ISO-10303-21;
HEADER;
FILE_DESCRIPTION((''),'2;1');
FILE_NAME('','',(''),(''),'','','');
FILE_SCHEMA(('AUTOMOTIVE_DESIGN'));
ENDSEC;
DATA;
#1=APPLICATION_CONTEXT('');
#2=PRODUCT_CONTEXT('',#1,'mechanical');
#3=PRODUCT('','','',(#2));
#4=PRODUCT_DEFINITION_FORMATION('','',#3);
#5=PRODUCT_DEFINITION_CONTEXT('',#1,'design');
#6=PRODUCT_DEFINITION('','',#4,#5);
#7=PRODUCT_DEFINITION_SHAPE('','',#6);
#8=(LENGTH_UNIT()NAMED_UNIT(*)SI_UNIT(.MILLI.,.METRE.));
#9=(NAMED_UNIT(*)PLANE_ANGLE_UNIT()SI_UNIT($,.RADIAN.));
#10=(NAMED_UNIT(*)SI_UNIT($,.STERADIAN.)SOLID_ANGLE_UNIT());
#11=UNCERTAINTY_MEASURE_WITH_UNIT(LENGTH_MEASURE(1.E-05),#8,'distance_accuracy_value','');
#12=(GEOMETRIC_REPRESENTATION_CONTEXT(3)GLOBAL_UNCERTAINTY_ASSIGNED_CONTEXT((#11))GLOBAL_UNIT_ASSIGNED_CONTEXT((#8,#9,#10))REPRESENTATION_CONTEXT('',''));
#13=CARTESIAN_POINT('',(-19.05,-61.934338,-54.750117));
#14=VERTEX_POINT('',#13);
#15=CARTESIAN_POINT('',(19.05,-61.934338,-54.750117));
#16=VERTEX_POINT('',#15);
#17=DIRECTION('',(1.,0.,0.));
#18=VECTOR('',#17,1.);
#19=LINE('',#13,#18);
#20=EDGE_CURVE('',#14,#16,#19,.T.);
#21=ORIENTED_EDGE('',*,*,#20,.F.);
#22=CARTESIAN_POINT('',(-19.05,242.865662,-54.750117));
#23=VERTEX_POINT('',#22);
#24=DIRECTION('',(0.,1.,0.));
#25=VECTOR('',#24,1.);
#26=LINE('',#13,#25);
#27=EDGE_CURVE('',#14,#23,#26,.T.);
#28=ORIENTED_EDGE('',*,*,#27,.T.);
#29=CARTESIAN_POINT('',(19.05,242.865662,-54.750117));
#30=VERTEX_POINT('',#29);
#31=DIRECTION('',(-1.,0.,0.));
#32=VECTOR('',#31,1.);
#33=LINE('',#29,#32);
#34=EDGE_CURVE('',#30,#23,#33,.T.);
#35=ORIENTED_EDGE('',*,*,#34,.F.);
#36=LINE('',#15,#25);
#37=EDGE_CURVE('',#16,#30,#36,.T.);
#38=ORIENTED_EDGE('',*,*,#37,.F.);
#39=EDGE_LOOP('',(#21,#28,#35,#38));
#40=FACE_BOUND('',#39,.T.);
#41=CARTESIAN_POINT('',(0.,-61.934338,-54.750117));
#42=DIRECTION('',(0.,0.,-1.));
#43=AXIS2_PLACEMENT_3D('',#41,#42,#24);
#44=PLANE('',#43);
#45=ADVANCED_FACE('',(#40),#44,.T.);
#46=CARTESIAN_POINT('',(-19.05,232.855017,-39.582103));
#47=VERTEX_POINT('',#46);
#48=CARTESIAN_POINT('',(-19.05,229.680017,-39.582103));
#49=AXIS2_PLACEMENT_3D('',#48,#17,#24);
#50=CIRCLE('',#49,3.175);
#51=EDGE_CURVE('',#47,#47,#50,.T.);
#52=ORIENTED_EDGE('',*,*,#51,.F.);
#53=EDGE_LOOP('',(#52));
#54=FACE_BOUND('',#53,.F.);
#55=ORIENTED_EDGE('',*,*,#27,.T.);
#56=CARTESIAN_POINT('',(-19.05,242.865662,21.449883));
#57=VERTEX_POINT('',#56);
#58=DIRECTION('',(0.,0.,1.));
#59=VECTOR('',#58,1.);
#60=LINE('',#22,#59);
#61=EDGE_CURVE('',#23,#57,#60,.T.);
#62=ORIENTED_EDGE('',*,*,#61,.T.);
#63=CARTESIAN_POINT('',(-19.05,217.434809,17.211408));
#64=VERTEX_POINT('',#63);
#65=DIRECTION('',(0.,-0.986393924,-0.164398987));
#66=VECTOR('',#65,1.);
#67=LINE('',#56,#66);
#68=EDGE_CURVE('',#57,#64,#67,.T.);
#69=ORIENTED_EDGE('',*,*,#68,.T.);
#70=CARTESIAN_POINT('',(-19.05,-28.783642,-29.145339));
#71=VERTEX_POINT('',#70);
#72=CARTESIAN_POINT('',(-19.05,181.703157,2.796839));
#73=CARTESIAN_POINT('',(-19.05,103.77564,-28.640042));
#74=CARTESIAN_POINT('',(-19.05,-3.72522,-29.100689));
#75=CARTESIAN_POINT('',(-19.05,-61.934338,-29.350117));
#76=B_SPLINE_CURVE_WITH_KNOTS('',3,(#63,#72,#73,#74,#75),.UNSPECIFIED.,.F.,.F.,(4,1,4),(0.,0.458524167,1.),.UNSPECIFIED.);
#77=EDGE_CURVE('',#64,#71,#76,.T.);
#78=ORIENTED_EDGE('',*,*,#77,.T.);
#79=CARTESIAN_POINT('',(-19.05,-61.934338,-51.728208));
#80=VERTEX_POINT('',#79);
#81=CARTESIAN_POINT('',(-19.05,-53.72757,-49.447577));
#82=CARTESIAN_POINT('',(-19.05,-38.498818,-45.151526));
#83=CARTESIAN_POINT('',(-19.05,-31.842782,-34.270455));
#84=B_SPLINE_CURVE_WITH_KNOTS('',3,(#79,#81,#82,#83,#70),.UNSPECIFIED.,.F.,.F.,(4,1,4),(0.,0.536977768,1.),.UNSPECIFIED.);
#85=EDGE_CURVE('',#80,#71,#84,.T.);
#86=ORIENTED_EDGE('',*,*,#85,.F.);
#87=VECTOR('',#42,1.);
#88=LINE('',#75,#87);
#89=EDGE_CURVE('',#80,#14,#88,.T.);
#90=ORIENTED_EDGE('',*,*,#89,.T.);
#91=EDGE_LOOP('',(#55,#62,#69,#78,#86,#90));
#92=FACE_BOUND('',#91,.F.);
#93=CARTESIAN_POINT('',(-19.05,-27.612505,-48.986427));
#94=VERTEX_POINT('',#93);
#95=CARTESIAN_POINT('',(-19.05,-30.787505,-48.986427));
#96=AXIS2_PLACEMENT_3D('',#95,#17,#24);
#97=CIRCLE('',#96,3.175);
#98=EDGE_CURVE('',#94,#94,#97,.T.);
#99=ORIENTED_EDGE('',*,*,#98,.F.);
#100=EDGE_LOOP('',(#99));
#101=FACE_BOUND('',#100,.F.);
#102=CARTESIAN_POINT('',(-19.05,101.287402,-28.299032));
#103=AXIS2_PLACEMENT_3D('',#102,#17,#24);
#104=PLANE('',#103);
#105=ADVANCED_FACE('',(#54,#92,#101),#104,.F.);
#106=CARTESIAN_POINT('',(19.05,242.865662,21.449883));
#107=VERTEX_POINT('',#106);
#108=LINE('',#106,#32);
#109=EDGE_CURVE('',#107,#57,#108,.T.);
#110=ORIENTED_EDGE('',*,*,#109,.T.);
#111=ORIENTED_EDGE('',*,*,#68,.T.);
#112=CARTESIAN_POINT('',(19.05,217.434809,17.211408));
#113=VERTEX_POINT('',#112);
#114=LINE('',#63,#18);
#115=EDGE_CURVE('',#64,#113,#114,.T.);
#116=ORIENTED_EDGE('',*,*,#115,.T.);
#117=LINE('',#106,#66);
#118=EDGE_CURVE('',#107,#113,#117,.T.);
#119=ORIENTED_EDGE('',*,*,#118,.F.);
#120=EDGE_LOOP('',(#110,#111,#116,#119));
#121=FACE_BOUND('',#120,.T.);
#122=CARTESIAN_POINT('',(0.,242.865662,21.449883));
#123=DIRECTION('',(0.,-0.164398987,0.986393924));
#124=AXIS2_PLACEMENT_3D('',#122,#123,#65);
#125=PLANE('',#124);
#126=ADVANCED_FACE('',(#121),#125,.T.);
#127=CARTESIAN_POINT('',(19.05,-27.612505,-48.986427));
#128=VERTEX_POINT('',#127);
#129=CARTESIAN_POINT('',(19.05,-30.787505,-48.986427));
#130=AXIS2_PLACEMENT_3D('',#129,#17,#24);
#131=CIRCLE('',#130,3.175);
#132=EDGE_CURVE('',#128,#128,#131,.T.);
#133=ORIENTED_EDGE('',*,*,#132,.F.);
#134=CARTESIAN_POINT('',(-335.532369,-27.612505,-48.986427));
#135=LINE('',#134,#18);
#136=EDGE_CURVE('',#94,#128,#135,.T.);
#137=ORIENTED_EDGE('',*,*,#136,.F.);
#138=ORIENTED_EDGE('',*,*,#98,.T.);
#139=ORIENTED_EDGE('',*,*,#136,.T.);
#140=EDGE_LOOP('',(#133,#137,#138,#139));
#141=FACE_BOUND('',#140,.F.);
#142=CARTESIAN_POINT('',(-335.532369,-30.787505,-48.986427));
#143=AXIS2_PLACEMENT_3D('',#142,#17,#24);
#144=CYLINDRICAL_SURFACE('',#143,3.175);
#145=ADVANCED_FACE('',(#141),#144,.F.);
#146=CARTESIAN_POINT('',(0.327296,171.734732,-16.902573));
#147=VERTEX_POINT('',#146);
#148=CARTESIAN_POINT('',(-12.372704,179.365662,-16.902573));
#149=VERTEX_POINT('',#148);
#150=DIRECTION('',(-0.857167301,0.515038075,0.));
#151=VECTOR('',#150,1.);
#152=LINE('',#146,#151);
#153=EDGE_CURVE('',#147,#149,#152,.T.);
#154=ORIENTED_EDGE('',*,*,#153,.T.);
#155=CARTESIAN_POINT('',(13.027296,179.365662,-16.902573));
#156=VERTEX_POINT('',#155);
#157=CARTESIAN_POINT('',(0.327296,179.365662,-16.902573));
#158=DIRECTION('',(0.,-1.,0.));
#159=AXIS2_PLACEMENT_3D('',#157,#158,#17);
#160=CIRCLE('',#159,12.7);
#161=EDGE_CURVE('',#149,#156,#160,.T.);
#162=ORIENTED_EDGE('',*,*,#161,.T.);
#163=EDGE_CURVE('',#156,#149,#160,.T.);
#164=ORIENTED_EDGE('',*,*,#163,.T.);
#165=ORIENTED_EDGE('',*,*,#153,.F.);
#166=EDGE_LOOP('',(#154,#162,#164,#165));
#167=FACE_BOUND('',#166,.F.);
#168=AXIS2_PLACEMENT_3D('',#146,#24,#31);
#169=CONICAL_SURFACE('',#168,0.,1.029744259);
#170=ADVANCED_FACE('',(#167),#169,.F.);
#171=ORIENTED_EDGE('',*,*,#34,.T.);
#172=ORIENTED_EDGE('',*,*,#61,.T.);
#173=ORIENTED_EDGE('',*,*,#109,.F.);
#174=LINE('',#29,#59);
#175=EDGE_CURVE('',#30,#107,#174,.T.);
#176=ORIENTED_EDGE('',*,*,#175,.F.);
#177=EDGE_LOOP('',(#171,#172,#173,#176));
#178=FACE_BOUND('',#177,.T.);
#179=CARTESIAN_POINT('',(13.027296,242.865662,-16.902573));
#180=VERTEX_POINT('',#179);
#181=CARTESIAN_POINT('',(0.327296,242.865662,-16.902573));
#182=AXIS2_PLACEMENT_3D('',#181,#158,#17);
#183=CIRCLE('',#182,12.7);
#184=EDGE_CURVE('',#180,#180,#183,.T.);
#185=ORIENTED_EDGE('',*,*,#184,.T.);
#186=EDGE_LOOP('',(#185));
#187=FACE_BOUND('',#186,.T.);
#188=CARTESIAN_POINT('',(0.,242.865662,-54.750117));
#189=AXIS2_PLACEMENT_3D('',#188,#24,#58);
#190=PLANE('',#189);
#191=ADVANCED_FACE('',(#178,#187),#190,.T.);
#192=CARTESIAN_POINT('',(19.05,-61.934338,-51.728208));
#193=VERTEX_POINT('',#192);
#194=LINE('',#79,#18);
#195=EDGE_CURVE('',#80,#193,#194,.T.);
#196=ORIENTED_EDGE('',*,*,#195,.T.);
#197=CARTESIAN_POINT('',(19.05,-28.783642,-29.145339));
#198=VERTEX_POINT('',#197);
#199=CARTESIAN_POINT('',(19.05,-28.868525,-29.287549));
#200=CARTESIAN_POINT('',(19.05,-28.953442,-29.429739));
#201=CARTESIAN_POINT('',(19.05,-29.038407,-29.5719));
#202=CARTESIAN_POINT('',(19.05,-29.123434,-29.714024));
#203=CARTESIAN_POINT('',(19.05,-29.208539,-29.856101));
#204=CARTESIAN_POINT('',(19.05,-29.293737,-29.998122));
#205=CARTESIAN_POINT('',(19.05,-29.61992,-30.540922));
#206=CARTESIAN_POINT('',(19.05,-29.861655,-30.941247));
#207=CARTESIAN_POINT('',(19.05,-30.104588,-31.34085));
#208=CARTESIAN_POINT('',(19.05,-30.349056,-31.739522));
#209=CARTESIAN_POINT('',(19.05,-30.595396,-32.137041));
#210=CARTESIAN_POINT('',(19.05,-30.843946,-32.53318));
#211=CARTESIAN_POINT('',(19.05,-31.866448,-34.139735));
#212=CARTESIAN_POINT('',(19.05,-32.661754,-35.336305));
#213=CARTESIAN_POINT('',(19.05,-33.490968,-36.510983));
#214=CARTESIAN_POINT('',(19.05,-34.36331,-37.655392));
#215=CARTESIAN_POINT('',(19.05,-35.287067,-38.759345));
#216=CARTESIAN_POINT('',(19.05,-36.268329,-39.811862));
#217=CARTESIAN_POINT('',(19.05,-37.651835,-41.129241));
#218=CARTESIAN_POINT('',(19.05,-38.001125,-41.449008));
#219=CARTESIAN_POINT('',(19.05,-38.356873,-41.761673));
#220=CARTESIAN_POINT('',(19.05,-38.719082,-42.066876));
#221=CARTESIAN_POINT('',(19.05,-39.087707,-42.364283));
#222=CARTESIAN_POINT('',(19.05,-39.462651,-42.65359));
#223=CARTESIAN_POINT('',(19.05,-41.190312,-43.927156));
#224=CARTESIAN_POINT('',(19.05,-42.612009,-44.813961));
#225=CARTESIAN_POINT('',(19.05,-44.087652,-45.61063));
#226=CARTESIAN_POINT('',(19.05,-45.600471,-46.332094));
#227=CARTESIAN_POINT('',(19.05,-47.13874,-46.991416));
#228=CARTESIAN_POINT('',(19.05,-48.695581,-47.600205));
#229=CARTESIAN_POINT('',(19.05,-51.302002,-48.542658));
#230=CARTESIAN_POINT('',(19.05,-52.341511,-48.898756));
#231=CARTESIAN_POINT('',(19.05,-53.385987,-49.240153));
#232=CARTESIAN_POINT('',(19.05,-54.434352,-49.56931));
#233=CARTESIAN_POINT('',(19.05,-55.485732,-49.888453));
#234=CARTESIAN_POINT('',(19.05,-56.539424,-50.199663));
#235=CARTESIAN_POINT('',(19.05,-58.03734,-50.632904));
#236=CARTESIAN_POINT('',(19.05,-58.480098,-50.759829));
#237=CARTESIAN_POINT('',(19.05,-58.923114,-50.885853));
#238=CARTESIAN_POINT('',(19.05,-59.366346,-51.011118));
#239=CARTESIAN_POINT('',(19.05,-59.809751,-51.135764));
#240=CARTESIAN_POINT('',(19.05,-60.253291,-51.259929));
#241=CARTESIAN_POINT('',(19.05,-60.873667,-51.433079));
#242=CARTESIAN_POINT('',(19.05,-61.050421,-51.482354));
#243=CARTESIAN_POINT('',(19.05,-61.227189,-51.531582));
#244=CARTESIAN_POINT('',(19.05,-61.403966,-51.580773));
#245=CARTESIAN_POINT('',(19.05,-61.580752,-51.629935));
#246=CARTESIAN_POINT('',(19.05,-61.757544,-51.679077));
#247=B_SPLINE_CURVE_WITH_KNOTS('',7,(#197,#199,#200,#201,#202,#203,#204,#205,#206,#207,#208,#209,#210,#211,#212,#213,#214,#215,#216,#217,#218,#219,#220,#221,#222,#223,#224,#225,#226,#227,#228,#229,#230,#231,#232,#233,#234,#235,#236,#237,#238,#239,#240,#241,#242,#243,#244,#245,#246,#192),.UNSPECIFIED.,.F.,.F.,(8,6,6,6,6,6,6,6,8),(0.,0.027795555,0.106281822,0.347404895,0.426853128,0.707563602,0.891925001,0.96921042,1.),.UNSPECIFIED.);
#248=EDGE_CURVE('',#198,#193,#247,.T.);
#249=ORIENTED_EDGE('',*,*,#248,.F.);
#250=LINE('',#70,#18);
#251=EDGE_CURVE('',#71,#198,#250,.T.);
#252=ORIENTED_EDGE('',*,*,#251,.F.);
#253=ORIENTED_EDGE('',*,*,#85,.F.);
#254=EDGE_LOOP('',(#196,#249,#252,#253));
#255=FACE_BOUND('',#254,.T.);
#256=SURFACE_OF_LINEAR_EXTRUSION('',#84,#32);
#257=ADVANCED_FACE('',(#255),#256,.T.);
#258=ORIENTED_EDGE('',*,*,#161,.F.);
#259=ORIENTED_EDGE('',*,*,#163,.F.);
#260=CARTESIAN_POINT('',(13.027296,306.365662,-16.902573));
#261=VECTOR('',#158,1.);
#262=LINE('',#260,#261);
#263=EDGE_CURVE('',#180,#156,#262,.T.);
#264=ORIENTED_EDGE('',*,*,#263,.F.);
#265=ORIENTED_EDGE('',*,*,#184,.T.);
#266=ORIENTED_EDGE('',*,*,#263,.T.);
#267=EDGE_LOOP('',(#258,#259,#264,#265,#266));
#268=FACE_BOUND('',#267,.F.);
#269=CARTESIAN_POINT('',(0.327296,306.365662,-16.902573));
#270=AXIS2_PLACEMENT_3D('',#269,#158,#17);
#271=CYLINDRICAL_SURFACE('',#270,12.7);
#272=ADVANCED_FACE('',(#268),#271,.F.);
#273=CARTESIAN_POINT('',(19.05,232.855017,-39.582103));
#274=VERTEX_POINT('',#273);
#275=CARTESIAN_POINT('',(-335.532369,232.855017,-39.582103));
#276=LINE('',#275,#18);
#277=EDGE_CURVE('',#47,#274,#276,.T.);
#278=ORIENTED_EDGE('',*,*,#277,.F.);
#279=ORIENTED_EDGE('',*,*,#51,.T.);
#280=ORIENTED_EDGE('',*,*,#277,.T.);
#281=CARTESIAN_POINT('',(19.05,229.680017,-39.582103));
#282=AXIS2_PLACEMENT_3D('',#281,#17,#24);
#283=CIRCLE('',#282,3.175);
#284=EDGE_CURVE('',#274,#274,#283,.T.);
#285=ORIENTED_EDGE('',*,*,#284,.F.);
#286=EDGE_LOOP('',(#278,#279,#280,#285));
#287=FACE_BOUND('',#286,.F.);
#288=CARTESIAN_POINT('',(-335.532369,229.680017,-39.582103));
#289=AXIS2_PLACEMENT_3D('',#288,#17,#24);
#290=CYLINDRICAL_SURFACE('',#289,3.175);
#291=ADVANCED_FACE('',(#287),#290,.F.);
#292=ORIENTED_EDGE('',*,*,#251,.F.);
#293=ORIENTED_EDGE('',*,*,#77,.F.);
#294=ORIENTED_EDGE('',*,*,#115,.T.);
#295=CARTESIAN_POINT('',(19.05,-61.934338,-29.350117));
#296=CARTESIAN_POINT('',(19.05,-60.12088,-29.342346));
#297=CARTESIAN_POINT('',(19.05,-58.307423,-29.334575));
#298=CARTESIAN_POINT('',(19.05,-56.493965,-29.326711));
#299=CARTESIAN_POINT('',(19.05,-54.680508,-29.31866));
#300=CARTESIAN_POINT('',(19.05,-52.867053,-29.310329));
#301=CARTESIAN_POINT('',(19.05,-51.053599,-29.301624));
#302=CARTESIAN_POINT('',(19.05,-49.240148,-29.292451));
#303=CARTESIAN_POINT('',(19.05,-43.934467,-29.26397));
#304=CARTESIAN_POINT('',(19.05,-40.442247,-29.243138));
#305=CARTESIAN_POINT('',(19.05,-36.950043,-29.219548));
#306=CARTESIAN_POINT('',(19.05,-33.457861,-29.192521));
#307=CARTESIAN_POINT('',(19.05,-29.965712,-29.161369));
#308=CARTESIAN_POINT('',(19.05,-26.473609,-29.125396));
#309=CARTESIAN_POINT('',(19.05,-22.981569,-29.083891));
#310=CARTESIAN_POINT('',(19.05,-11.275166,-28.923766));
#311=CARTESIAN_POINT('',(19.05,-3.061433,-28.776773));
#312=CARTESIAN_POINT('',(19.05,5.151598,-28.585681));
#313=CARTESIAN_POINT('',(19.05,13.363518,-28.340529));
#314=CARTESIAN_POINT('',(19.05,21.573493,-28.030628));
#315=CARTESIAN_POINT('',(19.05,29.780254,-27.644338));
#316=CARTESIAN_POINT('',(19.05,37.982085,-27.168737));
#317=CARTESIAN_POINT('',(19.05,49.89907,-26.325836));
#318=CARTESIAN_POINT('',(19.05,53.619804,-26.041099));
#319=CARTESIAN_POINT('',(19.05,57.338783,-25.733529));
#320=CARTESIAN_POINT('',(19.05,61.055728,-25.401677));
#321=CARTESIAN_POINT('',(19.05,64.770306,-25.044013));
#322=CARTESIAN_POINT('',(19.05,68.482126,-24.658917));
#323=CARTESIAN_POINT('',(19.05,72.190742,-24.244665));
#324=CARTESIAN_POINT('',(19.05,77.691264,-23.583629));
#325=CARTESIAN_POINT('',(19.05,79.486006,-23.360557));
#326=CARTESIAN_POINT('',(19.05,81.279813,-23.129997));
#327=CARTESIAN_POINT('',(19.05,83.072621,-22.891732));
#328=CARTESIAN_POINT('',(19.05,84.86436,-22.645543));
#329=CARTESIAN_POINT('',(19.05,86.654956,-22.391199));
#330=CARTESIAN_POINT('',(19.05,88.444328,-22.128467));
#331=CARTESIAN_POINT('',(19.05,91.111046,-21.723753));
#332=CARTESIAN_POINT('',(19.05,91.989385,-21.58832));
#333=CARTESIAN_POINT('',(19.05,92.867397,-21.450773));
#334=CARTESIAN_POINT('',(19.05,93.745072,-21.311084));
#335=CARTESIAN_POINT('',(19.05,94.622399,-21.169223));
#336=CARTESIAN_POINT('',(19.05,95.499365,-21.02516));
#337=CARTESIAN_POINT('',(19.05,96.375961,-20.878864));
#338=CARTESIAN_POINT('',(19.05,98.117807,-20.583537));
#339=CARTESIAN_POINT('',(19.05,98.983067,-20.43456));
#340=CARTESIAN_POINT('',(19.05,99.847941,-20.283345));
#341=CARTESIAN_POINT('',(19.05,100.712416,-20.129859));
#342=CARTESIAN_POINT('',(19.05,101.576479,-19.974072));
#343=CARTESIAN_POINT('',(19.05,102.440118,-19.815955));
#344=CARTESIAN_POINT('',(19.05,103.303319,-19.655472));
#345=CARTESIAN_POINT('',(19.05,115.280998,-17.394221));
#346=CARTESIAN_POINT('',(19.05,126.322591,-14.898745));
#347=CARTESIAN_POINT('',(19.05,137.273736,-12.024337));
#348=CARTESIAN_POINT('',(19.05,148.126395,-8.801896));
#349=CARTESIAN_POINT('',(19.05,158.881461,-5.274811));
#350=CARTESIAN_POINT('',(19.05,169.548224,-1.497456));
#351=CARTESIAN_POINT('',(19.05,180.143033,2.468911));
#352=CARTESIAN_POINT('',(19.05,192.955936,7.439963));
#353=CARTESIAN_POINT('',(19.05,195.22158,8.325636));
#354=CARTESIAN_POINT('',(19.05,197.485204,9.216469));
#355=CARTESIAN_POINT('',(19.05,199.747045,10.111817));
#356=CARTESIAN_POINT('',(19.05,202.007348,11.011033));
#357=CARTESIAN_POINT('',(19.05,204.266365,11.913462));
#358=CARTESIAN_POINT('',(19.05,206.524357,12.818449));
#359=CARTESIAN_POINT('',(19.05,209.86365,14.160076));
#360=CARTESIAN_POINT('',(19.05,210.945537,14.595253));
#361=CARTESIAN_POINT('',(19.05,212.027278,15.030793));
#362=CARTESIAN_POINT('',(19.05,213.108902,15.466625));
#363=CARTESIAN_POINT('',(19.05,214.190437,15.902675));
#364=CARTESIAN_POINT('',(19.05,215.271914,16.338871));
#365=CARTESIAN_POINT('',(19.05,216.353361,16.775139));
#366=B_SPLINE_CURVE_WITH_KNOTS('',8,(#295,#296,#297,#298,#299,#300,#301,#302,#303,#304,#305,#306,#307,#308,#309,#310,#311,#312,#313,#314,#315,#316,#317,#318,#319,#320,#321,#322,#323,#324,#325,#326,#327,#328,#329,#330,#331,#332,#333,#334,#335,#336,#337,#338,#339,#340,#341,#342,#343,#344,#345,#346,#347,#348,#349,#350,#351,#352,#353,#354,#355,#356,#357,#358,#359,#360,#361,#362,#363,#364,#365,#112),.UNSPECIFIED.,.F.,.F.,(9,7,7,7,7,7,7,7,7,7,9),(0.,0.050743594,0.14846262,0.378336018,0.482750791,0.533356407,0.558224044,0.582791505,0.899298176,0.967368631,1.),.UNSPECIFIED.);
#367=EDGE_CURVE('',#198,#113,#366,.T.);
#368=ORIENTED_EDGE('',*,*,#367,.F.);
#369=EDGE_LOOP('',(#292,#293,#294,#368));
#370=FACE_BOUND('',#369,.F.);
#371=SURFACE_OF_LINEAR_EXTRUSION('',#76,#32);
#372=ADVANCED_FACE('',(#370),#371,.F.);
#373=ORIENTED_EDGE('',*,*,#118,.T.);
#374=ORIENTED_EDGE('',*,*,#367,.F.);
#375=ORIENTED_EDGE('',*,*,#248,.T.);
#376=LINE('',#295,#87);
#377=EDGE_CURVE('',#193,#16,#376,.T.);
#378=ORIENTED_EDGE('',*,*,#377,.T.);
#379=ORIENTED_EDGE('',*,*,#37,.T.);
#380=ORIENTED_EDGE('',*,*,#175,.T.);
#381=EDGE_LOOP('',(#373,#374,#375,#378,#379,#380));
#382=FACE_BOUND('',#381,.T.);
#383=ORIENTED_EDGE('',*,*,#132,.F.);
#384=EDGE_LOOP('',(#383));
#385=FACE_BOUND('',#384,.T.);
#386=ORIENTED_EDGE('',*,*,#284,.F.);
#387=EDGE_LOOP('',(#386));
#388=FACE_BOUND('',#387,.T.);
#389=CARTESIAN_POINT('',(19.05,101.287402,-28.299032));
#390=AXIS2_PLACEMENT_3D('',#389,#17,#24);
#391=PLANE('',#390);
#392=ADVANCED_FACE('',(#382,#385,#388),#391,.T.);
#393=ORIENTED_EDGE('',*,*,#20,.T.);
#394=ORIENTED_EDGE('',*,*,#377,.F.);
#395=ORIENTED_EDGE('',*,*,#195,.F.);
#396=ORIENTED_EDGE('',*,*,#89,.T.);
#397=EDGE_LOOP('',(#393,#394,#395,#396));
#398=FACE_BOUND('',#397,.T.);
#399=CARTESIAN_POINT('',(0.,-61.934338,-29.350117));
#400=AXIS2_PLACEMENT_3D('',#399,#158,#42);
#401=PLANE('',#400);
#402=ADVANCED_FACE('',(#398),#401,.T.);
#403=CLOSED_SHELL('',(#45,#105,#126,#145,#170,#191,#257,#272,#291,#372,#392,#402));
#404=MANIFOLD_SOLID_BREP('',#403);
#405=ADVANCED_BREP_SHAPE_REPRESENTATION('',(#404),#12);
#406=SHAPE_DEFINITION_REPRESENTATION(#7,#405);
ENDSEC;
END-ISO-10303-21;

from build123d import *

# Parameters (mm, degrees)
F1_DEPTH = 19.05
F3_D     = 25.4
F3_DEPTH = 63.5
F3_TIP   = 7.6309298617
F5_DEPTH = 50.4981949925
F7_DEPTH = 40.6211540103
F9_D     = 6.35
F11_D    = 6.35


with BuildPart() as f1:
    # F0 (on Right) → F1 (new body, symmetric)
    with BuildSketch(Plane.YZ):
        Polygon((242.8656616081, 21.4498834579), (-61.9343383919, -29.3501165421), (-61.9343383919, -54.7501165421), (242.8656616081, -54.7501165421), align=None)
    extrude(amount=F1_DEPTH, both=True)

    # F3
    with Locations(Plane(origin=(0, 242.8656616081, 0), x_dir=(-1, 0, 0), z_dir=(0, 1, 0))):
        with Locations((-0.3272963222, -16.9025734067)):
            Hole(F3_D / 2, depth=F3_DEPTH)
            with Locations((0, 0, -(F3_DEPTH + F3_TIP / 2))):  # 118° drill point
                Cone(0, F3_D / 2, F3_TIP, mode=Mode.SUBTRACT)

    # F4 (on face) → F5 (cut)
    with BuildSketch(Plane(origin=(-19.05, 0, 0), x_dir=(0, -1, 0), z_dir=(-1, 0, 0))):
        with BuildLine():
            Line((61.9343383919, -29.3501165421), (-217.434808525, 17.2114079441))
            add(Edge.make_bspline(
                [(-217.434808525, 17.2114079441), (-181.7031574212, 2.796838546), (-103.7756395376, -28.6400418614), (3.7252200382, -29.1006886434), (61.9343383919, -29.3501165421)],
                knots=[0, 0, 0, 0, 0.4585241666, 1, 1, 1, 1], degree=3))
        make_face()
    extrude(amount=-F5_DEPTH, mode=Mode.SUBTRACT)

    # F6 (on face) → F7 (cut)
    with BuildSketch(Plane(origin=(-19.05, 0, 0), x_dir=(0, -1, 0), z_dir=(-1, 0, 0))):
        with BuildLine():
            add(Edge.make_bspline(
                [(61.9343383919, -51.728207618), (53.7275699574, -49.4475771186), (38.4988179682, -45.1515261487), (31.8427817105, -34.270455265), (28.7836416426, -29.1453393273)],
                knots=[0, 0, 0, 0, 0.5369777676, 1, 1, 1, 1], degree=3))
            Line((61.9343383919, -51.728207618), (61.9343383919, -29.3501165421))
            add(Edge.make_bspline(
                [(28.7836416426, -29.1453393273), (39.7941135042, -29.2552449401), (50.8642259332, -29.3026807628), (61.9343383919, -29.3501165421)],
                knots=[0.8970230345, 0.8970230345, 0.8970230345, 0.8970230345, 1, 1, 1, 1], degree=3))
        make_face()
    extrude(amount=-F7_DEPTH, mode=Mode.SUBTRACT)

    # F9 (through all)
    with Locations(Plane(origin=(-19.05, 0, 0), x_dir=(0, -1, 0), z_dir=(-1, 0, 0))):
        with Locations((30.7875052094, -48.9864274859)):
            Hole(F9_D / 2)

    # F11 (through all)
    with Locations(Plane(origin=(-19.05, 0, 0), x_dir=(0, -1, 0), z_dir=(-1, 0, 0))):
        with Locations((-229.6800166368, -39.5821034908)):
            Hole(F11_D / 2)


solid = f1.part
